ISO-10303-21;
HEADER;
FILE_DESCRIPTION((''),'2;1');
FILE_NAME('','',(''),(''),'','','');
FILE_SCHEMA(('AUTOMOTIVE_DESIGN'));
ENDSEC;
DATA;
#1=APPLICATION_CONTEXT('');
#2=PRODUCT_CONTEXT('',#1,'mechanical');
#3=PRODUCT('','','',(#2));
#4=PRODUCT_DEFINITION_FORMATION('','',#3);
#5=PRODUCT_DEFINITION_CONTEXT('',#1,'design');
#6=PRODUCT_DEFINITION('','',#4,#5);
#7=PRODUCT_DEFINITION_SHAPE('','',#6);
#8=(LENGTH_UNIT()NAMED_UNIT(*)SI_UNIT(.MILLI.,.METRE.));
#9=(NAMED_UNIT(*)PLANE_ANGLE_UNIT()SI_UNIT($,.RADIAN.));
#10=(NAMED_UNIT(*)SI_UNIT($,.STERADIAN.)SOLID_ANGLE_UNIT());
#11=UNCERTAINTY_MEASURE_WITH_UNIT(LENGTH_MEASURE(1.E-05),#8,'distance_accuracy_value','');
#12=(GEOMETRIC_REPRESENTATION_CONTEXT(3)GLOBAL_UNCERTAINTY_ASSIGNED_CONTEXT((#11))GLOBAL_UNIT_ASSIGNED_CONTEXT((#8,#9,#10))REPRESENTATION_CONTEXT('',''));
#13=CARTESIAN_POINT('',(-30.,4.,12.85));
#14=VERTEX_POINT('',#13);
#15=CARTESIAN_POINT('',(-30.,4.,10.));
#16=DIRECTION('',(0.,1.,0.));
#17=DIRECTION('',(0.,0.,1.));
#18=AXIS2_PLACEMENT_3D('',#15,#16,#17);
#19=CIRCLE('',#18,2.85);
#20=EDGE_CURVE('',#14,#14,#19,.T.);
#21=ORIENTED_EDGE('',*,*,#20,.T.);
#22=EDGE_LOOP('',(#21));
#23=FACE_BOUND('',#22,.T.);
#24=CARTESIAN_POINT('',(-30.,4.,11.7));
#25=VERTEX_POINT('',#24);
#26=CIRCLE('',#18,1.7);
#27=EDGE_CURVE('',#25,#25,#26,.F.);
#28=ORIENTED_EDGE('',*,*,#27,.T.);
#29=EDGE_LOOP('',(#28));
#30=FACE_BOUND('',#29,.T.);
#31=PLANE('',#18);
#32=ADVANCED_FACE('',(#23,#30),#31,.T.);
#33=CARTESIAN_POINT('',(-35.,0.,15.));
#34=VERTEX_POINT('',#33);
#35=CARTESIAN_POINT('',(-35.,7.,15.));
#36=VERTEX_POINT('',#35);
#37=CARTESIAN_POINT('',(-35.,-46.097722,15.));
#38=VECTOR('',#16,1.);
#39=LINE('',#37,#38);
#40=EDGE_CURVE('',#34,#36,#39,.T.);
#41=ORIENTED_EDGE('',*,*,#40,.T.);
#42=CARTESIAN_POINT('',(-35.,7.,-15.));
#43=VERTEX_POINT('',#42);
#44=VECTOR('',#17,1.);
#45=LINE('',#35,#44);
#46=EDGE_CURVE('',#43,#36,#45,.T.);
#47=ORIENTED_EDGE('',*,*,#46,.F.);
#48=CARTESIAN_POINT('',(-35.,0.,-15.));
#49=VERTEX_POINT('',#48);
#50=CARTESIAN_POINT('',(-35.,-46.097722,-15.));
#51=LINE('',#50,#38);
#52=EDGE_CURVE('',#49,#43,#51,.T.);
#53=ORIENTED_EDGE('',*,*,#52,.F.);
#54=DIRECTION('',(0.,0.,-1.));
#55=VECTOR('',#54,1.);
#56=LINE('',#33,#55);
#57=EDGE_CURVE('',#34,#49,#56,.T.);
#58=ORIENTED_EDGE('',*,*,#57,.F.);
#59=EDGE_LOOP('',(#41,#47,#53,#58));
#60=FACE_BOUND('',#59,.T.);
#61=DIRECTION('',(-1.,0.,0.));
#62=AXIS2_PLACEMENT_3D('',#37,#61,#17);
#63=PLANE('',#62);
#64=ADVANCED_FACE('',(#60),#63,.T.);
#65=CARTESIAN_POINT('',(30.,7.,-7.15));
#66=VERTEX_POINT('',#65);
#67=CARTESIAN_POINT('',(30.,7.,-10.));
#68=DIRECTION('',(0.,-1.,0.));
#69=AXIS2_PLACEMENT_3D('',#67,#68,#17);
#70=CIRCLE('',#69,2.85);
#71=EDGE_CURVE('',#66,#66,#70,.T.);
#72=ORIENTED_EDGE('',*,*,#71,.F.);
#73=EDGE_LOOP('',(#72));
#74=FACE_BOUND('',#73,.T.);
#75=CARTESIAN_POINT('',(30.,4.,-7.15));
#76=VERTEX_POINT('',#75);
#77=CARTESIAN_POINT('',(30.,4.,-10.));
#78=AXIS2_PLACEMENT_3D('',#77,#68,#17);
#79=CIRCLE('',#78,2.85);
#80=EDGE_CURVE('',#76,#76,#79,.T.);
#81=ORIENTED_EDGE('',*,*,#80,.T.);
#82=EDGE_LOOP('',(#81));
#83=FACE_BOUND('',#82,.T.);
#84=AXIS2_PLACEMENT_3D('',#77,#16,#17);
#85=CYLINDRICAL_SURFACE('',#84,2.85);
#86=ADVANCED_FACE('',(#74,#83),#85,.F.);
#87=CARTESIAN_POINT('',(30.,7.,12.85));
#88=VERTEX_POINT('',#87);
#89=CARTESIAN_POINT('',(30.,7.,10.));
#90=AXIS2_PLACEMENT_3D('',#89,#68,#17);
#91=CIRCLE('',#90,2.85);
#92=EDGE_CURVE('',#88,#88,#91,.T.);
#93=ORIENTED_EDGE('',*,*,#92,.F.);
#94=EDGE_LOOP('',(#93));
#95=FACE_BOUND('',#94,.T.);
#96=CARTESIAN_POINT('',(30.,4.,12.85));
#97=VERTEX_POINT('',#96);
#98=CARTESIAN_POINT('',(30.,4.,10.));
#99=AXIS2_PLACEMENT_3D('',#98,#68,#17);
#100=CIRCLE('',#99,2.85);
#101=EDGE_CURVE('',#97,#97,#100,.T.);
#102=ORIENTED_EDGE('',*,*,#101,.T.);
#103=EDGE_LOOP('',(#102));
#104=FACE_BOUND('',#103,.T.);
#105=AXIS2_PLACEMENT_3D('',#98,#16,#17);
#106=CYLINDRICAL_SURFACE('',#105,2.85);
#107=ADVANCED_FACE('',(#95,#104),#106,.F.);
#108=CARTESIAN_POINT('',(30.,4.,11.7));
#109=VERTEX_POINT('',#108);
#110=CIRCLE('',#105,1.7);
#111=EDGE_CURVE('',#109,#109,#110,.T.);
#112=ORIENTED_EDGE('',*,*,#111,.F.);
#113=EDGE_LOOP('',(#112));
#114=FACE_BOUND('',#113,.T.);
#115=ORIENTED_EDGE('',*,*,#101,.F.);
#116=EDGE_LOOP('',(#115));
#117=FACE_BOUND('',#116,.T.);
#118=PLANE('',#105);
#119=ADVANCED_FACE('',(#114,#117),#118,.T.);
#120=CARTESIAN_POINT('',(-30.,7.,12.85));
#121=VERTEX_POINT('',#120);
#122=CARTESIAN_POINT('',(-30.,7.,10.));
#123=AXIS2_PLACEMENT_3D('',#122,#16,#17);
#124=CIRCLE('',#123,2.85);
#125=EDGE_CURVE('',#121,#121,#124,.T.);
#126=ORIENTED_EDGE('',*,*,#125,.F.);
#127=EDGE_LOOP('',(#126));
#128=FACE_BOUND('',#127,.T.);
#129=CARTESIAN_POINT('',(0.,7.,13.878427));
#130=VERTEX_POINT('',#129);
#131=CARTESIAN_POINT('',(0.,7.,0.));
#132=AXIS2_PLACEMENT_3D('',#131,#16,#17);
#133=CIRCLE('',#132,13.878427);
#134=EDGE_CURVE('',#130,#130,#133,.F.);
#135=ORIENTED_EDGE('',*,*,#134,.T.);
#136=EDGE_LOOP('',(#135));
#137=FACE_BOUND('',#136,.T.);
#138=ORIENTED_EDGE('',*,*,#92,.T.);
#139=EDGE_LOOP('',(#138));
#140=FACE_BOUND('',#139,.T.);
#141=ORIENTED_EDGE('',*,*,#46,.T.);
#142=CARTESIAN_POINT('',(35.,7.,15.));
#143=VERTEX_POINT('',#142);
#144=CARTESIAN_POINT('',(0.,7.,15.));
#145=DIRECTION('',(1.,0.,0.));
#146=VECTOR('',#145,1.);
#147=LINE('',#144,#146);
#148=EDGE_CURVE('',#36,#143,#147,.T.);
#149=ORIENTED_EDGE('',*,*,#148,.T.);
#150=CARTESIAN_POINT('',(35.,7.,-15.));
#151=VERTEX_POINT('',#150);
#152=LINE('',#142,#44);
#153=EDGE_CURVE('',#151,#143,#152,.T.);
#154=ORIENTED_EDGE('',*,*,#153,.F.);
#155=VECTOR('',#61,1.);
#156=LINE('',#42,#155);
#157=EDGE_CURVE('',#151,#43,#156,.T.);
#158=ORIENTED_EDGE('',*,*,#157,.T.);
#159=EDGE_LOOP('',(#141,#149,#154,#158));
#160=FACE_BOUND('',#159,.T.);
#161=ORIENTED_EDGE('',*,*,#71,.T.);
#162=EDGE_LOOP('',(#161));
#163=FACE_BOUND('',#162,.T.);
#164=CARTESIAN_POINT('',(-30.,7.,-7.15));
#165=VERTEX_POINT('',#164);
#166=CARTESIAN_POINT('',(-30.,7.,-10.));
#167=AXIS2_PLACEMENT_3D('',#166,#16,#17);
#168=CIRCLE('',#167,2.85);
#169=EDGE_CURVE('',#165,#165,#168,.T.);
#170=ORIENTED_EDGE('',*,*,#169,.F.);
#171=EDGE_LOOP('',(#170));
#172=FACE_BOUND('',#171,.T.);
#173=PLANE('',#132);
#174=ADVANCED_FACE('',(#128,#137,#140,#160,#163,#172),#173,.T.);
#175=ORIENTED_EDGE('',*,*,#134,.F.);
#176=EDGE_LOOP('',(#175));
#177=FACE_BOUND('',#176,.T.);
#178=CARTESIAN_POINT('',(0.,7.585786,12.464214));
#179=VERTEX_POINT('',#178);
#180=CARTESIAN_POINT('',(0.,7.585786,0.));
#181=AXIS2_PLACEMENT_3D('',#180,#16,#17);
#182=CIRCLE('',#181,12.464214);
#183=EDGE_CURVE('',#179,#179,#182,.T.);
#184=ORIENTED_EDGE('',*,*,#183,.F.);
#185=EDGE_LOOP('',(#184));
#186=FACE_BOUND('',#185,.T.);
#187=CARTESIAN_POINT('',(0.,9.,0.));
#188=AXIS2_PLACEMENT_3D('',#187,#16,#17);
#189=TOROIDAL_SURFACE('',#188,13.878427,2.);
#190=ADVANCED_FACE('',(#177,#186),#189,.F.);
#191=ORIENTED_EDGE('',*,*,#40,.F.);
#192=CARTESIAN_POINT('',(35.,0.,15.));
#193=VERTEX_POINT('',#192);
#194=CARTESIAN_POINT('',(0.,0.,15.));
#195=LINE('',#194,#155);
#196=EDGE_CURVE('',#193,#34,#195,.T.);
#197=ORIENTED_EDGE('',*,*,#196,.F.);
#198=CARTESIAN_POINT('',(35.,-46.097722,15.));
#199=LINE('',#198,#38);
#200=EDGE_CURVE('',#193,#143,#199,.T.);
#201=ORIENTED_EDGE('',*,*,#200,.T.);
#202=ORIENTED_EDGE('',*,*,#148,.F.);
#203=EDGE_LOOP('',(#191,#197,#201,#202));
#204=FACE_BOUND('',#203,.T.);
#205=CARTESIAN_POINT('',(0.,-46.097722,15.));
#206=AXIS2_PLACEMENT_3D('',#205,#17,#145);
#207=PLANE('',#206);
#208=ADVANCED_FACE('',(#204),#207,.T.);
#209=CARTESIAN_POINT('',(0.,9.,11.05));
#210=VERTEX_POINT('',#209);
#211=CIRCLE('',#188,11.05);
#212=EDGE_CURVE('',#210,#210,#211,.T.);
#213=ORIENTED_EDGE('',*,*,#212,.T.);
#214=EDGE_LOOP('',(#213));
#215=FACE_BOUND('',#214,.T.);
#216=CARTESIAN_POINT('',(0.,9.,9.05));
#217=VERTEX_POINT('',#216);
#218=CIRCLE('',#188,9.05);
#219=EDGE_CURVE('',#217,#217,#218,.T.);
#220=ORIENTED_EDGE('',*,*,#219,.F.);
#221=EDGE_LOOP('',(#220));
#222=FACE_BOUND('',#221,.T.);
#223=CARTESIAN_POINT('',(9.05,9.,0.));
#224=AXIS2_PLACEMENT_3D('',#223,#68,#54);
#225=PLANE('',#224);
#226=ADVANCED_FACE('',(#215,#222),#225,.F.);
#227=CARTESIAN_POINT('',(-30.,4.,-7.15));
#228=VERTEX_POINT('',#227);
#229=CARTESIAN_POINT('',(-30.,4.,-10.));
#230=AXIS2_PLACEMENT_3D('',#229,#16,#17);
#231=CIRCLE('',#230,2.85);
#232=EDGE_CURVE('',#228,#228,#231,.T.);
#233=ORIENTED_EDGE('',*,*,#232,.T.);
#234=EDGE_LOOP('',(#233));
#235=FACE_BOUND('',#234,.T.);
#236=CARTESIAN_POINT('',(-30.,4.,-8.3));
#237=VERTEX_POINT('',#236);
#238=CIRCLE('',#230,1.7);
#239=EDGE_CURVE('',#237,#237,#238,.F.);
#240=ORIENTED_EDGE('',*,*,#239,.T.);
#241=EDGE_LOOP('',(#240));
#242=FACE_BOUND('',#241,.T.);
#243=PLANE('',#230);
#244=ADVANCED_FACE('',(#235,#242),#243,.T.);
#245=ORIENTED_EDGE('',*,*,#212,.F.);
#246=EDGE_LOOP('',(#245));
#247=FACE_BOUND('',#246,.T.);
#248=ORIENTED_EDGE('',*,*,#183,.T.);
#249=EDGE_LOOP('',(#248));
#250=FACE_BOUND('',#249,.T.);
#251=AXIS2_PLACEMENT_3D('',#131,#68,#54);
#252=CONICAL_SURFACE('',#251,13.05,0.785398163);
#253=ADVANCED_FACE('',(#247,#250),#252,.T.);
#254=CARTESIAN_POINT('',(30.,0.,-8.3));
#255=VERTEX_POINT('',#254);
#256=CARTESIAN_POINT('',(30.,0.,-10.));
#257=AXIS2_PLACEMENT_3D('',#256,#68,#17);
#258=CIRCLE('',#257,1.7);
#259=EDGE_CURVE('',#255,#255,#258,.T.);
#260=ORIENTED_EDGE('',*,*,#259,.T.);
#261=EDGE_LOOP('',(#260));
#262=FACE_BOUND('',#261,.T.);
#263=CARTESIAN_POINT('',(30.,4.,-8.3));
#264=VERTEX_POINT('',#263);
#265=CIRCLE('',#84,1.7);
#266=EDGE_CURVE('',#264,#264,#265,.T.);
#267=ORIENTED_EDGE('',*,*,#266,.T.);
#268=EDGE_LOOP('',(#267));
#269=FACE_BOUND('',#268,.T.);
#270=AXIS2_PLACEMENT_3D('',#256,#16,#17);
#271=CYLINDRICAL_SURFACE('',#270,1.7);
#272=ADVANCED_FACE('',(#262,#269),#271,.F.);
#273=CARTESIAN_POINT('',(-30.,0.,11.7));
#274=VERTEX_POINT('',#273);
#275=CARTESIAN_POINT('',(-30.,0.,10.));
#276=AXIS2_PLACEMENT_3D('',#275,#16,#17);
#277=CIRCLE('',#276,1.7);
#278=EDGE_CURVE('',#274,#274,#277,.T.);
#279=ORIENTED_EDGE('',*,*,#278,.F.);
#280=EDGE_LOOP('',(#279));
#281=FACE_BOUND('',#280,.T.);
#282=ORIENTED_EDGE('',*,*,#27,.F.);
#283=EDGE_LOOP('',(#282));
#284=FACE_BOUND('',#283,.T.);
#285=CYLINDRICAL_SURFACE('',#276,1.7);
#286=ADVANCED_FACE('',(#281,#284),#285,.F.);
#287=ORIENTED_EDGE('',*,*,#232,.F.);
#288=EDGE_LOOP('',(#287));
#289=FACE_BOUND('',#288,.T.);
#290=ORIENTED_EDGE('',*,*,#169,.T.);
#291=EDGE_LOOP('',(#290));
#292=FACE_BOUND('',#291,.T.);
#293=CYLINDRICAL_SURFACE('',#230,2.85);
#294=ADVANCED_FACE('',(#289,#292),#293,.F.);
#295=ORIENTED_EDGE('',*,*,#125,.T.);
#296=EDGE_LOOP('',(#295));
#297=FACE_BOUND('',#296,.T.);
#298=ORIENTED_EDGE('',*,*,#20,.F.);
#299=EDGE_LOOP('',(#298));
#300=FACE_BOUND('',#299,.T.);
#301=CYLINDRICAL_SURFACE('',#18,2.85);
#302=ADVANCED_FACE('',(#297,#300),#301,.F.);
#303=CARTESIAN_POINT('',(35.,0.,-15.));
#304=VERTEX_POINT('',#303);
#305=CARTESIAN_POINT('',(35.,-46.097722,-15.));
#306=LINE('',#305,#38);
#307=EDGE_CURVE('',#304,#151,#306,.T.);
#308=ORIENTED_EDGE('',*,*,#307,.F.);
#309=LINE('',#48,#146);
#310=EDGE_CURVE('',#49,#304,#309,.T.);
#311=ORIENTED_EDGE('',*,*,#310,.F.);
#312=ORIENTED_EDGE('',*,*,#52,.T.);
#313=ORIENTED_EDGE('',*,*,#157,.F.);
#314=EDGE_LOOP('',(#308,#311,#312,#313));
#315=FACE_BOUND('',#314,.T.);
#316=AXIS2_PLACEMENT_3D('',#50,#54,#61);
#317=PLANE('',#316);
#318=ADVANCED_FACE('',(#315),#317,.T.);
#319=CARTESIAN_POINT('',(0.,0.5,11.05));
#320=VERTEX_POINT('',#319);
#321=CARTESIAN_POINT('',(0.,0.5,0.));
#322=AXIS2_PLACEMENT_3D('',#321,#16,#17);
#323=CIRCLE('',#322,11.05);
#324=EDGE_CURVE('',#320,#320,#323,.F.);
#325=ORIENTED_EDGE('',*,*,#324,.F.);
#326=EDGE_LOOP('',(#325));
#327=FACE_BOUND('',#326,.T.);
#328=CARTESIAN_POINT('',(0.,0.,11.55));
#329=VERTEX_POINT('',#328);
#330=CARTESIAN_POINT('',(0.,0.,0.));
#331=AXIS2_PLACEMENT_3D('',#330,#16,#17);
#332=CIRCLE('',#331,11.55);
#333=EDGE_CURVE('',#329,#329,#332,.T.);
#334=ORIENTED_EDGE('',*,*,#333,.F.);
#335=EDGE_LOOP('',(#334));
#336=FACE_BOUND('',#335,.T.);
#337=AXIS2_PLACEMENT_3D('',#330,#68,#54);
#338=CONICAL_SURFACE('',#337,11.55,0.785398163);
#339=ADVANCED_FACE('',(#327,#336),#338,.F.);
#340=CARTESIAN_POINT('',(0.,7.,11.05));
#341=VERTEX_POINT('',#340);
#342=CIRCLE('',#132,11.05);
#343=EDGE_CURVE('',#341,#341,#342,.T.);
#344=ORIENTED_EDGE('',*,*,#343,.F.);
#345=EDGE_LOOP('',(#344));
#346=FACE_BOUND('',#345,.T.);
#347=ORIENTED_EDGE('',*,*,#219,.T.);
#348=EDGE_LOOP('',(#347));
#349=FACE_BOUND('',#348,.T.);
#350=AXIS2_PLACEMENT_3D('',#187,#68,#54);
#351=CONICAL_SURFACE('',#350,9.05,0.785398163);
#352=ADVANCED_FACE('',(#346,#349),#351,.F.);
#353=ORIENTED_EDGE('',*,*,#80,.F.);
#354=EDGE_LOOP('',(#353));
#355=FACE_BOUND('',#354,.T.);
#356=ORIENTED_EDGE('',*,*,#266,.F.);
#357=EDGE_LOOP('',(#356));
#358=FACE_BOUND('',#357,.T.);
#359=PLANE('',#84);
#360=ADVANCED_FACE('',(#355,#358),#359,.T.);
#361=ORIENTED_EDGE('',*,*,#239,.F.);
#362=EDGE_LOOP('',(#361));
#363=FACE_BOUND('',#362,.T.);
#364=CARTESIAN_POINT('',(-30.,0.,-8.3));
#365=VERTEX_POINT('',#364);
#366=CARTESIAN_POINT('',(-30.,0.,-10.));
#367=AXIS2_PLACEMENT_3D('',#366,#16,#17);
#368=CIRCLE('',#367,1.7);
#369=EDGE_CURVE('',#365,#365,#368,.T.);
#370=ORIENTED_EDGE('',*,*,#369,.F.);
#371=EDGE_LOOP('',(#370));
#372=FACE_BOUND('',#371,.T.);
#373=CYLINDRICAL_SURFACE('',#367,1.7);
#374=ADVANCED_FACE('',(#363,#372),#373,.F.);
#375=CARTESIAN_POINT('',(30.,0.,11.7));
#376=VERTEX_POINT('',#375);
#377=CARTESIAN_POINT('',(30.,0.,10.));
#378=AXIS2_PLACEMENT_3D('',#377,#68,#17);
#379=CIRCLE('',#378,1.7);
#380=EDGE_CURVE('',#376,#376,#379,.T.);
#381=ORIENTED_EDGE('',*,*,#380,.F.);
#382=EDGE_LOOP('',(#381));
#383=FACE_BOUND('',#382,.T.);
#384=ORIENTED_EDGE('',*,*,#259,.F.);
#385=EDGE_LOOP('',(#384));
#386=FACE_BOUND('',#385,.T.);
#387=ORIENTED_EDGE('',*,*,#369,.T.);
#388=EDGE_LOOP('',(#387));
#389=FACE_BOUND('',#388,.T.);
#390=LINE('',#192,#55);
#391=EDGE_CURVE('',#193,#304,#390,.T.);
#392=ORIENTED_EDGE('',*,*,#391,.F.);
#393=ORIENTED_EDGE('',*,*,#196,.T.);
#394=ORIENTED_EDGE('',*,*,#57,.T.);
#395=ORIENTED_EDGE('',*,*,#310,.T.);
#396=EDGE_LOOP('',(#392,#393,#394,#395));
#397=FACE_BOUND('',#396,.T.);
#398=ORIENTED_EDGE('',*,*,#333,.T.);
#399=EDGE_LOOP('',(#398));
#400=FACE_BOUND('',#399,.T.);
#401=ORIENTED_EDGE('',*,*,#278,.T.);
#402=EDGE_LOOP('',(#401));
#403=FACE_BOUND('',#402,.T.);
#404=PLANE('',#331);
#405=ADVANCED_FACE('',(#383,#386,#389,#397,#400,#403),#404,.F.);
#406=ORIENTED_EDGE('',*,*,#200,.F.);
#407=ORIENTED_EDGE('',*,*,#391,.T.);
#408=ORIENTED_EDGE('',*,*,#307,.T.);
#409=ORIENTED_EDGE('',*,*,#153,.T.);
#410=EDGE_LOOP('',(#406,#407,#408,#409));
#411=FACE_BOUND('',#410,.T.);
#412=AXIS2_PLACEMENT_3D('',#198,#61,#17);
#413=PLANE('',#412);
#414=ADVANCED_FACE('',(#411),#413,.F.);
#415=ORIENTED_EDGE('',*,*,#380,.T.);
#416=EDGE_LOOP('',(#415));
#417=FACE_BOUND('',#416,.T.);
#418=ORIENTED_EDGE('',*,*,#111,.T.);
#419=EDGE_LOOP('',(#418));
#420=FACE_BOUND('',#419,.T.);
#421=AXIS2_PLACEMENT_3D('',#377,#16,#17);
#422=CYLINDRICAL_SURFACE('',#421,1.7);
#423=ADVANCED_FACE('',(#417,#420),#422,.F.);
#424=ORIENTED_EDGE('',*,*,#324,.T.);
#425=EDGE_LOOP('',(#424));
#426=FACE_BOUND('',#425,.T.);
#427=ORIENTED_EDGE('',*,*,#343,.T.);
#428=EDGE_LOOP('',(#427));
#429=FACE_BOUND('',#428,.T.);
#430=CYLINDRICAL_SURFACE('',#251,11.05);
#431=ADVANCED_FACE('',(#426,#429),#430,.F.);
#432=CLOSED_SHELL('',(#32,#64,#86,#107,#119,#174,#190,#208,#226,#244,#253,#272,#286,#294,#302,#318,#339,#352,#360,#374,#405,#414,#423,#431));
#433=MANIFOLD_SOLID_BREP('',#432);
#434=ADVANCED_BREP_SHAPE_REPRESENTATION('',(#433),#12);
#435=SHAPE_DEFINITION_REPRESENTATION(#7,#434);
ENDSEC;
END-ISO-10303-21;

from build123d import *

# Parameters (mm, degrees)
SKETCH1_R           = 15
SKETCH1_R_2         = 11.05
BOSS_EXTRUDE1_DEPTH = 7
BOSS_EXTRUDE2_DEPTH = 7
SKETCH3_R           = 1.7
CUT_EXTRUDE1_DEPTH  = 8
SKETCH4_R           = 2.85
CUT_EXTRUDE2_DEPTH  = 3
FILLET2_R           = 2
CHAMFER1_SIZE       = 0.5


with BuildPart() as part:
    # Sketch1 → Boss-Extrude1 (new body)
    with BuildSketch(Plane(origin=(0, 0, 0), x_dir=(1, 0, 0), z_dir=(0, 1, 0))):
        Circle(SKETCH1_R)
        Circle(SKETCH1_R_2, mode=Mode.SUBTRACT)
    extrude(amount=BOSS_EXTRUDE1_DEPTH)

    # Sketch2 → Boss-Extrude2 (add)
    with BuildSketch(Plane(origin=(0, 7, 0), x_dir=(1, 0, 0), z_dir=(0, 1, 0))):
        with BuildLine():
            Line((0, -15), (-35, -15))
            Line((-35, -15), (-35, 15))
            Line((-35, 15), (0, 15))
            ThreePointArc((0, 15), (-15, 0), (0, -15))
        make_face()
    boss_extrude2 = extrude(amount=-BOSS_EXTRUDE2_DEPTH)

    # Sketch3 → Cut-Extrude1 (cut, through all)
    with BuildSketch(Plane(origin=(0, 7, 0), x_dir=(1, 0, 0), z_dir=(0, 1, 0))):
        with Locations((-30, 10)):
            Circle(SKETCH3_R)
        with Locations((-30, -10)):
            Circle(SKETCH3_R)
    cut_extrude1 = extrude(amount=-CUT_EXTRUDE1_DEPTH, mode=Mode.SUBTRACT)

    # Sketch4 → Cut-Extrude2 (cut)
    with BuildSketch(Plane(origin=(0, 7, 0), x_dir=(1, 0, 0), z_dir=(0, 1, 0))):
        with Locations((-30, 10)):
            Circle(SKETCH4_R)
        with Locations((-30, -10)):
            Circle(SKETCH4_R)
    cut_extrude2 = extrude(amount=-CUT_EXTRUDE2_DEPTH, mode=Mode.SUBTRACT)

    # Mirror1: Boss-Extrude2, Cut-Extrude1, Cut-Extrude2 across plane
    add(boss_extrude2.mirror(Plane(origin=(0, 0, 0), x_dir=(0, 0, 1), z_dir=(1, 0, 0))))
    add(cut_extrude1.mirror(Plane(origin=(0, 0, 0), x_dir=(0, 0, 1), z_dir=(1, 0, 0))), mode=Mode.SUBTRACT)
    add(cut_extrude2.mirror(Plane(origin=(0, 0, 0), x_dir=(0, 0, 1), z_dir=(1, 0, 0))), mode=Mode.SUBTRACT)

    # Sketch6 → Revolve1 (revolve)
    with BuildSketch(Plane.XY):
        Polygon((11.05, 7), (9.05, 9), (11.05, 9), (13.05, 7), align=None)
    revolve(axis=Axis((0, 7, 0), (0, -1, 0)))

    # Fillet2
    fillet2_edges = [part.edges().sort_by_distance(p)[0] for p in [
        (-13.05, 7, 0),
    ]]
    fillet(fillet2_edges, radius=FILLET2_R)

    # Chamfer1
    chamfer1_edges = [part.edges().sort_by_distance(p)[0] for p in [
        (-11.05, 0, 0),
    ]]
    chamfer(chamfer1_edges, length=CHAMFER1_SIZE)


solid = part.part
